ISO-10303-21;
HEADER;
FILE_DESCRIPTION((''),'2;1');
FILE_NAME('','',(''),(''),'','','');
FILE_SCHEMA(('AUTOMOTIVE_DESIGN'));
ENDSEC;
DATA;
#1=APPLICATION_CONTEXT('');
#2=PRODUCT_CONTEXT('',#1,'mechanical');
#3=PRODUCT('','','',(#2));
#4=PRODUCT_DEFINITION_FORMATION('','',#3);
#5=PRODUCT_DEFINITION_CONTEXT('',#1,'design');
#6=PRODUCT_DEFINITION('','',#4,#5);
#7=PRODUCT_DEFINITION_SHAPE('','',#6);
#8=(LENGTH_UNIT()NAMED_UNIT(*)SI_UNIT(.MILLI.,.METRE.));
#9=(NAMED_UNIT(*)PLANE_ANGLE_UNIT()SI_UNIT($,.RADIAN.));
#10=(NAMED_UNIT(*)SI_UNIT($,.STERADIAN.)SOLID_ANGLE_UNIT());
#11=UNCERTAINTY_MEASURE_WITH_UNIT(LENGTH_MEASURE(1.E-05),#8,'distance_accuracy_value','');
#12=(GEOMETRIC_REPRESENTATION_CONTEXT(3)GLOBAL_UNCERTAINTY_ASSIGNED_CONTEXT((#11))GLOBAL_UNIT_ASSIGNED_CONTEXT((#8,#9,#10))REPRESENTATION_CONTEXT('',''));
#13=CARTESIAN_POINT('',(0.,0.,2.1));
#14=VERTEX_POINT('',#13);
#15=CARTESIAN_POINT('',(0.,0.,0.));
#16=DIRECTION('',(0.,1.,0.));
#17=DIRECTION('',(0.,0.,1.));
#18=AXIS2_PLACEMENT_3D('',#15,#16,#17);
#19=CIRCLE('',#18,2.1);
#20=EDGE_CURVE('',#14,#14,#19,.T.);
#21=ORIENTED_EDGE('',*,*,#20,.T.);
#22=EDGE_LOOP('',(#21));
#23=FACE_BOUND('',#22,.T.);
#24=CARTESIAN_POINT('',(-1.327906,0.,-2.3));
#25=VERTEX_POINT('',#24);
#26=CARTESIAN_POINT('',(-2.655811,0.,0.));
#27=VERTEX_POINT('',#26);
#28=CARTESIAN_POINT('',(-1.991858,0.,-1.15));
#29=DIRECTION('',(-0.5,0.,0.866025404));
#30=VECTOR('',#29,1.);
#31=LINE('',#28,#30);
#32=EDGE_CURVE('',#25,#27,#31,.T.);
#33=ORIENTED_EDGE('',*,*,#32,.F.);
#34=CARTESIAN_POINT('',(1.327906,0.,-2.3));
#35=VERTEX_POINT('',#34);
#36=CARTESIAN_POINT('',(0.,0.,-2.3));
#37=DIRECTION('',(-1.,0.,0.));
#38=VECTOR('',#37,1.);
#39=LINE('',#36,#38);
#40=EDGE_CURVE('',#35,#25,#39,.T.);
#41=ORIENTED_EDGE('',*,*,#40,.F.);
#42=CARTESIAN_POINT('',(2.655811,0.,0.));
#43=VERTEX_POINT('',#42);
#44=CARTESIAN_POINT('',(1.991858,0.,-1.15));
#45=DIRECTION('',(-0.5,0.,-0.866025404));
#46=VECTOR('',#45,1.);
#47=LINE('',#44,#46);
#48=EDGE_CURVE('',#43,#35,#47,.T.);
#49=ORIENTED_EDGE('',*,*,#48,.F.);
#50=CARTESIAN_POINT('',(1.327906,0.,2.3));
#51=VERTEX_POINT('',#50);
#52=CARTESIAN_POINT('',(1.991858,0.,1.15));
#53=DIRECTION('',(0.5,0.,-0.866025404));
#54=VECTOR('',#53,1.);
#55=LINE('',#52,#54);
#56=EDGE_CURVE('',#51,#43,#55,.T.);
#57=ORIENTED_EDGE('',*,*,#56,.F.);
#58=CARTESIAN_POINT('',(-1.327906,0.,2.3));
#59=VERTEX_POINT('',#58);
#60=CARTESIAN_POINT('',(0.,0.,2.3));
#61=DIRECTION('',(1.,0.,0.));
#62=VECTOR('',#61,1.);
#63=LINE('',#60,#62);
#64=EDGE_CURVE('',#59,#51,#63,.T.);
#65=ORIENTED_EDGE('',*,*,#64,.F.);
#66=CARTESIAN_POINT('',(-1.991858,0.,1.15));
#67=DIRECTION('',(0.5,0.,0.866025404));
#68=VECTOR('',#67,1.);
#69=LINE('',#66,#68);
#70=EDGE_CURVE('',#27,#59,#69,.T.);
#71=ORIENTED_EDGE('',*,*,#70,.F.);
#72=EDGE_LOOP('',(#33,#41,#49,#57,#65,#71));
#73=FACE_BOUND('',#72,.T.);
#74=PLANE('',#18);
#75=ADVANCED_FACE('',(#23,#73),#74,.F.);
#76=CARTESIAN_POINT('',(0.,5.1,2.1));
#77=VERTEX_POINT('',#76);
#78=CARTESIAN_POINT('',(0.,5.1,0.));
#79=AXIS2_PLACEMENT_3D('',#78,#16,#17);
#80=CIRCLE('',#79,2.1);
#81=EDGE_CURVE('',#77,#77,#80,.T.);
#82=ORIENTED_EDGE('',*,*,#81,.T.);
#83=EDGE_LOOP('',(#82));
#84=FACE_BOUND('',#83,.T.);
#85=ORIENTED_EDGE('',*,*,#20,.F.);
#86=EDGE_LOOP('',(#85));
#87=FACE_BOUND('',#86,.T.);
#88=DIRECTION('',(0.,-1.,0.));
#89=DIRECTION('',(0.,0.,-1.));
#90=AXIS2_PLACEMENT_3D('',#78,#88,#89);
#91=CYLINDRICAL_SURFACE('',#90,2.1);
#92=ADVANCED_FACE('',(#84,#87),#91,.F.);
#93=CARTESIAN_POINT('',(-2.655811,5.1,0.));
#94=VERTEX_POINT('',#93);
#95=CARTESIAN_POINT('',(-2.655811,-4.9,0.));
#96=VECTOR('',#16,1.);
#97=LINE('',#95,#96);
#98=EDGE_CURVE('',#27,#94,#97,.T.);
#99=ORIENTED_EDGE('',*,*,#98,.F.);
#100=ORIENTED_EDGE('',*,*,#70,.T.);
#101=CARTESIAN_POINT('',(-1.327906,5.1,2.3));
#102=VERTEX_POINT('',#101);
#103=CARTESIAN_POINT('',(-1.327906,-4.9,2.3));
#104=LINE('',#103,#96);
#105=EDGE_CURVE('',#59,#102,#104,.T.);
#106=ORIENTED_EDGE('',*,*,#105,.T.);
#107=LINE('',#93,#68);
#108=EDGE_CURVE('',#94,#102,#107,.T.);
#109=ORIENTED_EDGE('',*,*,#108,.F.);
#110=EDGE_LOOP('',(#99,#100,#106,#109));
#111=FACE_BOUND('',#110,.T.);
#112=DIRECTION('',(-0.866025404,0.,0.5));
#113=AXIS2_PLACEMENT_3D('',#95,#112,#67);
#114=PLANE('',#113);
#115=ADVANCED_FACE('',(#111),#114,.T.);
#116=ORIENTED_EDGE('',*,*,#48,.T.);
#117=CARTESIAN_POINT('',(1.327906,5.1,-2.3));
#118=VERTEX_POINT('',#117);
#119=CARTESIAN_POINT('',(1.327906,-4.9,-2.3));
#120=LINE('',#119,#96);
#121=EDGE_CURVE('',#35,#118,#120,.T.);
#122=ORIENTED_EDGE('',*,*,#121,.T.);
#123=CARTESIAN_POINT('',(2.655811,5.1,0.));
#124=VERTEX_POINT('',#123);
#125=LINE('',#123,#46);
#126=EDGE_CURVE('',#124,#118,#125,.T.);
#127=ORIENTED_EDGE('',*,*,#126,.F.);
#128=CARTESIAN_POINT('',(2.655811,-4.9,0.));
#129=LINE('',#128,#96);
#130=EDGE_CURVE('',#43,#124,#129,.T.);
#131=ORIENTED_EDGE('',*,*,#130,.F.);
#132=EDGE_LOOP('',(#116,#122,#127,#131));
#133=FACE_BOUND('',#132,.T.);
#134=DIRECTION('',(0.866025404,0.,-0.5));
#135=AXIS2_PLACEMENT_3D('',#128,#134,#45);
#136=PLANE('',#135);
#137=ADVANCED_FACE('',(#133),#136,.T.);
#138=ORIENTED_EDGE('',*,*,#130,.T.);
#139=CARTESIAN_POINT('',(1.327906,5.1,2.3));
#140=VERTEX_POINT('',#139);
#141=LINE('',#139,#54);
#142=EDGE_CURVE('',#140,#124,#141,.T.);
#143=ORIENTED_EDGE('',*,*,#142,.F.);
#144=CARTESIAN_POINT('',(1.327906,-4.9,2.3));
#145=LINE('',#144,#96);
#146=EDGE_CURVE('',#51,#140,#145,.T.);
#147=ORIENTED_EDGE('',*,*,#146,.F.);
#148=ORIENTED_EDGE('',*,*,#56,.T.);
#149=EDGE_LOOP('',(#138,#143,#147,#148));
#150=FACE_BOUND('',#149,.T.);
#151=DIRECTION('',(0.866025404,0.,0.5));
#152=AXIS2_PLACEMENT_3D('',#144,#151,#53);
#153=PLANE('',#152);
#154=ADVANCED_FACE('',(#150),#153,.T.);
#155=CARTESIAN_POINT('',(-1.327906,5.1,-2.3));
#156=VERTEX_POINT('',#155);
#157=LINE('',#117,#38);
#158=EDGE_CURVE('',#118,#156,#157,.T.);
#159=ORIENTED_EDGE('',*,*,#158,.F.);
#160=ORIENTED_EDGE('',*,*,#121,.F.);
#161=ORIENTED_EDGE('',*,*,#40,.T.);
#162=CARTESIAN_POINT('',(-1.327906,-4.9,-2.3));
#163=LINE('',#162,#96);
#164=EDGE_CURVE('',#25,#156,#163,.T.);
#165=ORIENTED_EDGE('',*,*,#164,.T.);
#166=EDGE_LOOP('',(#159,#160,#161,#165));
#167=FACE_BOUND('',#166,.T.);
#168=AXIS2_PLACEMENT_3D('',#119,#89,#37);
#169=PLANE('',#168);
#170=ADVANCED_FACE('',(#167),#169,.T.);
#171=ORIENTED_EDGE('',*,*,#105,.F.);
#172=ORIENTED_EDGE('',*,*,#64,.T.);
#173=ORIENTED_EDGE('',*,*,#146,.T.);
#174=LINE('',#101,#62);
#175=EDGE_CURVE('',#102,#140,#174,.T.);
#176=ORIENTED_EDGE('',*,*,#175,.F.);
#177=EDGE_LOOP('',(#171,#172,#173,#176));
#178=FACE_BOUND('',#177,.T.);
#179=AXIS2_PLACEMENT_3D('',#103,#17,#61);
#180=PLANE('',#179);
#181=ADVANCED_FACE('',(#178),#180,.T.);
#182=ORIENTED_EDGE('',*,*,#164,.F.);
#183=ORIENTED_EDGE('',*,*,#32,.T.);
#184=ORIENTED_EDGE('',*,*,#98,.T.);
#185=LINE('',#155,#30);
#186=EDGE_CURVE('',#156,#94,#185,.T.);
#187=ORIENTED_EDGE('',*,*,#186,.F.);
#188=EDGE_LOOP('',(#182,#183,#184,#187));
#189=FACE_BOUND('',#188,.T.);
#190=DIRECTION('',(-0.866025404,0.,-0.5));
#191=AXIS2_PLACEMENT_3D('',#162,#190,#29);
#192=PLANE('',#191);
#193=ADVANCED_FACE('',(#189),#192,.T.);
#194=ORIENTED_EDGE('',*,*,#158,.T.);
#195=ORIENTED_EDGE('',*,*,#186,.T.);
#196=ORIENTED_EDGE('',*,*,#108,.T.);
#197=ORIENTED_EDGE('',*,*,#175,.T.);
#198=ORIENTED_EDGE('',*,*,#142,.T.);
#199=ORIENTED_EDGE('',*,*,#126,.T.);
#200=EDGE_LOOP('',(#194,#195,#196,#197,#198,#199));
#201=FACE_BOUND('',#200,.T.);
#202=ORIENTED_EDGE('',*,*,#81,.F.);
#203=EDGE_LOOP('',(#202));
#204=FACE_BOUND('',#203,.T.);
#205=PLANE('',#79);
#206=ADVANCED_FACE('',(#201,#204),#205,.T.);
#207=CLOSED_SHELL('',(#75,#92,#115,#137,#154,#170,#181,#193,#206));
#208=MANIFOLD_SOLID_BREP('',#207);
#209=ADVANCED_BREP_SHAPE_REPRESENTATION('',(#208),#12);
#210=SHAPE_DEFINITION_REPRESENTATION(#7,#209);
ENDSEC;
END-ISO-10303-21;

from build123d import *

# Parameters (mm, degrees)
SKETCH1_R           = 3.575
SKETCH1_R_2         = 2.1
BOSS_EXTRUDE1_DEPTH = 5.1
CUT_EXTRUDE1_START  = -10
SKETCH2_R           = 3.575
CUT_EXTRUDE1_DEPTH  = 10


with BuildPart() as part:
    # Sketch1 → Boss-Extrude1 (new body)
    with BuildSketch(Plane(origin=(0, 0, 0), x_dir=(1, 0, 0), z_dir=(0, 1, 0))):
        with Locations(Location((0, 0, 0), (0, 0, 270))):
            Circle(SKETCH1_R)
        with Locations(Location((0, 0, 0), (0, 0, 270))):
            Circle(SKETCH1_R_2, mode=Mode.SUBTRACT)
    extrude(amount=BOSS_EXTRUDE1_DEPTH)

    # Sketch2 → Cut-Extrude1 (cut)
    with BuildSketch(Plane(origin=(0, 5.1, 0), x_dir=(1, 0, 0), z_dir=(0, 1, 0)).offset(CUT_EXTRUDE1_START)):
        Circle(SKETCH2_R)
        Polygon((1.327905619, 2.3), (-1.327905619, 2.3), (-2.655811238, 0), (-1.327905619, -2.3), (1.327905619, -2.3), (2.655811238, 0), align=None, mode=Mode.SUBTRACT)
    extrude(amount=CUT_EXTRUDE1_DEPTH, mode=Mode.SUBTRACT)


solid = part.part
